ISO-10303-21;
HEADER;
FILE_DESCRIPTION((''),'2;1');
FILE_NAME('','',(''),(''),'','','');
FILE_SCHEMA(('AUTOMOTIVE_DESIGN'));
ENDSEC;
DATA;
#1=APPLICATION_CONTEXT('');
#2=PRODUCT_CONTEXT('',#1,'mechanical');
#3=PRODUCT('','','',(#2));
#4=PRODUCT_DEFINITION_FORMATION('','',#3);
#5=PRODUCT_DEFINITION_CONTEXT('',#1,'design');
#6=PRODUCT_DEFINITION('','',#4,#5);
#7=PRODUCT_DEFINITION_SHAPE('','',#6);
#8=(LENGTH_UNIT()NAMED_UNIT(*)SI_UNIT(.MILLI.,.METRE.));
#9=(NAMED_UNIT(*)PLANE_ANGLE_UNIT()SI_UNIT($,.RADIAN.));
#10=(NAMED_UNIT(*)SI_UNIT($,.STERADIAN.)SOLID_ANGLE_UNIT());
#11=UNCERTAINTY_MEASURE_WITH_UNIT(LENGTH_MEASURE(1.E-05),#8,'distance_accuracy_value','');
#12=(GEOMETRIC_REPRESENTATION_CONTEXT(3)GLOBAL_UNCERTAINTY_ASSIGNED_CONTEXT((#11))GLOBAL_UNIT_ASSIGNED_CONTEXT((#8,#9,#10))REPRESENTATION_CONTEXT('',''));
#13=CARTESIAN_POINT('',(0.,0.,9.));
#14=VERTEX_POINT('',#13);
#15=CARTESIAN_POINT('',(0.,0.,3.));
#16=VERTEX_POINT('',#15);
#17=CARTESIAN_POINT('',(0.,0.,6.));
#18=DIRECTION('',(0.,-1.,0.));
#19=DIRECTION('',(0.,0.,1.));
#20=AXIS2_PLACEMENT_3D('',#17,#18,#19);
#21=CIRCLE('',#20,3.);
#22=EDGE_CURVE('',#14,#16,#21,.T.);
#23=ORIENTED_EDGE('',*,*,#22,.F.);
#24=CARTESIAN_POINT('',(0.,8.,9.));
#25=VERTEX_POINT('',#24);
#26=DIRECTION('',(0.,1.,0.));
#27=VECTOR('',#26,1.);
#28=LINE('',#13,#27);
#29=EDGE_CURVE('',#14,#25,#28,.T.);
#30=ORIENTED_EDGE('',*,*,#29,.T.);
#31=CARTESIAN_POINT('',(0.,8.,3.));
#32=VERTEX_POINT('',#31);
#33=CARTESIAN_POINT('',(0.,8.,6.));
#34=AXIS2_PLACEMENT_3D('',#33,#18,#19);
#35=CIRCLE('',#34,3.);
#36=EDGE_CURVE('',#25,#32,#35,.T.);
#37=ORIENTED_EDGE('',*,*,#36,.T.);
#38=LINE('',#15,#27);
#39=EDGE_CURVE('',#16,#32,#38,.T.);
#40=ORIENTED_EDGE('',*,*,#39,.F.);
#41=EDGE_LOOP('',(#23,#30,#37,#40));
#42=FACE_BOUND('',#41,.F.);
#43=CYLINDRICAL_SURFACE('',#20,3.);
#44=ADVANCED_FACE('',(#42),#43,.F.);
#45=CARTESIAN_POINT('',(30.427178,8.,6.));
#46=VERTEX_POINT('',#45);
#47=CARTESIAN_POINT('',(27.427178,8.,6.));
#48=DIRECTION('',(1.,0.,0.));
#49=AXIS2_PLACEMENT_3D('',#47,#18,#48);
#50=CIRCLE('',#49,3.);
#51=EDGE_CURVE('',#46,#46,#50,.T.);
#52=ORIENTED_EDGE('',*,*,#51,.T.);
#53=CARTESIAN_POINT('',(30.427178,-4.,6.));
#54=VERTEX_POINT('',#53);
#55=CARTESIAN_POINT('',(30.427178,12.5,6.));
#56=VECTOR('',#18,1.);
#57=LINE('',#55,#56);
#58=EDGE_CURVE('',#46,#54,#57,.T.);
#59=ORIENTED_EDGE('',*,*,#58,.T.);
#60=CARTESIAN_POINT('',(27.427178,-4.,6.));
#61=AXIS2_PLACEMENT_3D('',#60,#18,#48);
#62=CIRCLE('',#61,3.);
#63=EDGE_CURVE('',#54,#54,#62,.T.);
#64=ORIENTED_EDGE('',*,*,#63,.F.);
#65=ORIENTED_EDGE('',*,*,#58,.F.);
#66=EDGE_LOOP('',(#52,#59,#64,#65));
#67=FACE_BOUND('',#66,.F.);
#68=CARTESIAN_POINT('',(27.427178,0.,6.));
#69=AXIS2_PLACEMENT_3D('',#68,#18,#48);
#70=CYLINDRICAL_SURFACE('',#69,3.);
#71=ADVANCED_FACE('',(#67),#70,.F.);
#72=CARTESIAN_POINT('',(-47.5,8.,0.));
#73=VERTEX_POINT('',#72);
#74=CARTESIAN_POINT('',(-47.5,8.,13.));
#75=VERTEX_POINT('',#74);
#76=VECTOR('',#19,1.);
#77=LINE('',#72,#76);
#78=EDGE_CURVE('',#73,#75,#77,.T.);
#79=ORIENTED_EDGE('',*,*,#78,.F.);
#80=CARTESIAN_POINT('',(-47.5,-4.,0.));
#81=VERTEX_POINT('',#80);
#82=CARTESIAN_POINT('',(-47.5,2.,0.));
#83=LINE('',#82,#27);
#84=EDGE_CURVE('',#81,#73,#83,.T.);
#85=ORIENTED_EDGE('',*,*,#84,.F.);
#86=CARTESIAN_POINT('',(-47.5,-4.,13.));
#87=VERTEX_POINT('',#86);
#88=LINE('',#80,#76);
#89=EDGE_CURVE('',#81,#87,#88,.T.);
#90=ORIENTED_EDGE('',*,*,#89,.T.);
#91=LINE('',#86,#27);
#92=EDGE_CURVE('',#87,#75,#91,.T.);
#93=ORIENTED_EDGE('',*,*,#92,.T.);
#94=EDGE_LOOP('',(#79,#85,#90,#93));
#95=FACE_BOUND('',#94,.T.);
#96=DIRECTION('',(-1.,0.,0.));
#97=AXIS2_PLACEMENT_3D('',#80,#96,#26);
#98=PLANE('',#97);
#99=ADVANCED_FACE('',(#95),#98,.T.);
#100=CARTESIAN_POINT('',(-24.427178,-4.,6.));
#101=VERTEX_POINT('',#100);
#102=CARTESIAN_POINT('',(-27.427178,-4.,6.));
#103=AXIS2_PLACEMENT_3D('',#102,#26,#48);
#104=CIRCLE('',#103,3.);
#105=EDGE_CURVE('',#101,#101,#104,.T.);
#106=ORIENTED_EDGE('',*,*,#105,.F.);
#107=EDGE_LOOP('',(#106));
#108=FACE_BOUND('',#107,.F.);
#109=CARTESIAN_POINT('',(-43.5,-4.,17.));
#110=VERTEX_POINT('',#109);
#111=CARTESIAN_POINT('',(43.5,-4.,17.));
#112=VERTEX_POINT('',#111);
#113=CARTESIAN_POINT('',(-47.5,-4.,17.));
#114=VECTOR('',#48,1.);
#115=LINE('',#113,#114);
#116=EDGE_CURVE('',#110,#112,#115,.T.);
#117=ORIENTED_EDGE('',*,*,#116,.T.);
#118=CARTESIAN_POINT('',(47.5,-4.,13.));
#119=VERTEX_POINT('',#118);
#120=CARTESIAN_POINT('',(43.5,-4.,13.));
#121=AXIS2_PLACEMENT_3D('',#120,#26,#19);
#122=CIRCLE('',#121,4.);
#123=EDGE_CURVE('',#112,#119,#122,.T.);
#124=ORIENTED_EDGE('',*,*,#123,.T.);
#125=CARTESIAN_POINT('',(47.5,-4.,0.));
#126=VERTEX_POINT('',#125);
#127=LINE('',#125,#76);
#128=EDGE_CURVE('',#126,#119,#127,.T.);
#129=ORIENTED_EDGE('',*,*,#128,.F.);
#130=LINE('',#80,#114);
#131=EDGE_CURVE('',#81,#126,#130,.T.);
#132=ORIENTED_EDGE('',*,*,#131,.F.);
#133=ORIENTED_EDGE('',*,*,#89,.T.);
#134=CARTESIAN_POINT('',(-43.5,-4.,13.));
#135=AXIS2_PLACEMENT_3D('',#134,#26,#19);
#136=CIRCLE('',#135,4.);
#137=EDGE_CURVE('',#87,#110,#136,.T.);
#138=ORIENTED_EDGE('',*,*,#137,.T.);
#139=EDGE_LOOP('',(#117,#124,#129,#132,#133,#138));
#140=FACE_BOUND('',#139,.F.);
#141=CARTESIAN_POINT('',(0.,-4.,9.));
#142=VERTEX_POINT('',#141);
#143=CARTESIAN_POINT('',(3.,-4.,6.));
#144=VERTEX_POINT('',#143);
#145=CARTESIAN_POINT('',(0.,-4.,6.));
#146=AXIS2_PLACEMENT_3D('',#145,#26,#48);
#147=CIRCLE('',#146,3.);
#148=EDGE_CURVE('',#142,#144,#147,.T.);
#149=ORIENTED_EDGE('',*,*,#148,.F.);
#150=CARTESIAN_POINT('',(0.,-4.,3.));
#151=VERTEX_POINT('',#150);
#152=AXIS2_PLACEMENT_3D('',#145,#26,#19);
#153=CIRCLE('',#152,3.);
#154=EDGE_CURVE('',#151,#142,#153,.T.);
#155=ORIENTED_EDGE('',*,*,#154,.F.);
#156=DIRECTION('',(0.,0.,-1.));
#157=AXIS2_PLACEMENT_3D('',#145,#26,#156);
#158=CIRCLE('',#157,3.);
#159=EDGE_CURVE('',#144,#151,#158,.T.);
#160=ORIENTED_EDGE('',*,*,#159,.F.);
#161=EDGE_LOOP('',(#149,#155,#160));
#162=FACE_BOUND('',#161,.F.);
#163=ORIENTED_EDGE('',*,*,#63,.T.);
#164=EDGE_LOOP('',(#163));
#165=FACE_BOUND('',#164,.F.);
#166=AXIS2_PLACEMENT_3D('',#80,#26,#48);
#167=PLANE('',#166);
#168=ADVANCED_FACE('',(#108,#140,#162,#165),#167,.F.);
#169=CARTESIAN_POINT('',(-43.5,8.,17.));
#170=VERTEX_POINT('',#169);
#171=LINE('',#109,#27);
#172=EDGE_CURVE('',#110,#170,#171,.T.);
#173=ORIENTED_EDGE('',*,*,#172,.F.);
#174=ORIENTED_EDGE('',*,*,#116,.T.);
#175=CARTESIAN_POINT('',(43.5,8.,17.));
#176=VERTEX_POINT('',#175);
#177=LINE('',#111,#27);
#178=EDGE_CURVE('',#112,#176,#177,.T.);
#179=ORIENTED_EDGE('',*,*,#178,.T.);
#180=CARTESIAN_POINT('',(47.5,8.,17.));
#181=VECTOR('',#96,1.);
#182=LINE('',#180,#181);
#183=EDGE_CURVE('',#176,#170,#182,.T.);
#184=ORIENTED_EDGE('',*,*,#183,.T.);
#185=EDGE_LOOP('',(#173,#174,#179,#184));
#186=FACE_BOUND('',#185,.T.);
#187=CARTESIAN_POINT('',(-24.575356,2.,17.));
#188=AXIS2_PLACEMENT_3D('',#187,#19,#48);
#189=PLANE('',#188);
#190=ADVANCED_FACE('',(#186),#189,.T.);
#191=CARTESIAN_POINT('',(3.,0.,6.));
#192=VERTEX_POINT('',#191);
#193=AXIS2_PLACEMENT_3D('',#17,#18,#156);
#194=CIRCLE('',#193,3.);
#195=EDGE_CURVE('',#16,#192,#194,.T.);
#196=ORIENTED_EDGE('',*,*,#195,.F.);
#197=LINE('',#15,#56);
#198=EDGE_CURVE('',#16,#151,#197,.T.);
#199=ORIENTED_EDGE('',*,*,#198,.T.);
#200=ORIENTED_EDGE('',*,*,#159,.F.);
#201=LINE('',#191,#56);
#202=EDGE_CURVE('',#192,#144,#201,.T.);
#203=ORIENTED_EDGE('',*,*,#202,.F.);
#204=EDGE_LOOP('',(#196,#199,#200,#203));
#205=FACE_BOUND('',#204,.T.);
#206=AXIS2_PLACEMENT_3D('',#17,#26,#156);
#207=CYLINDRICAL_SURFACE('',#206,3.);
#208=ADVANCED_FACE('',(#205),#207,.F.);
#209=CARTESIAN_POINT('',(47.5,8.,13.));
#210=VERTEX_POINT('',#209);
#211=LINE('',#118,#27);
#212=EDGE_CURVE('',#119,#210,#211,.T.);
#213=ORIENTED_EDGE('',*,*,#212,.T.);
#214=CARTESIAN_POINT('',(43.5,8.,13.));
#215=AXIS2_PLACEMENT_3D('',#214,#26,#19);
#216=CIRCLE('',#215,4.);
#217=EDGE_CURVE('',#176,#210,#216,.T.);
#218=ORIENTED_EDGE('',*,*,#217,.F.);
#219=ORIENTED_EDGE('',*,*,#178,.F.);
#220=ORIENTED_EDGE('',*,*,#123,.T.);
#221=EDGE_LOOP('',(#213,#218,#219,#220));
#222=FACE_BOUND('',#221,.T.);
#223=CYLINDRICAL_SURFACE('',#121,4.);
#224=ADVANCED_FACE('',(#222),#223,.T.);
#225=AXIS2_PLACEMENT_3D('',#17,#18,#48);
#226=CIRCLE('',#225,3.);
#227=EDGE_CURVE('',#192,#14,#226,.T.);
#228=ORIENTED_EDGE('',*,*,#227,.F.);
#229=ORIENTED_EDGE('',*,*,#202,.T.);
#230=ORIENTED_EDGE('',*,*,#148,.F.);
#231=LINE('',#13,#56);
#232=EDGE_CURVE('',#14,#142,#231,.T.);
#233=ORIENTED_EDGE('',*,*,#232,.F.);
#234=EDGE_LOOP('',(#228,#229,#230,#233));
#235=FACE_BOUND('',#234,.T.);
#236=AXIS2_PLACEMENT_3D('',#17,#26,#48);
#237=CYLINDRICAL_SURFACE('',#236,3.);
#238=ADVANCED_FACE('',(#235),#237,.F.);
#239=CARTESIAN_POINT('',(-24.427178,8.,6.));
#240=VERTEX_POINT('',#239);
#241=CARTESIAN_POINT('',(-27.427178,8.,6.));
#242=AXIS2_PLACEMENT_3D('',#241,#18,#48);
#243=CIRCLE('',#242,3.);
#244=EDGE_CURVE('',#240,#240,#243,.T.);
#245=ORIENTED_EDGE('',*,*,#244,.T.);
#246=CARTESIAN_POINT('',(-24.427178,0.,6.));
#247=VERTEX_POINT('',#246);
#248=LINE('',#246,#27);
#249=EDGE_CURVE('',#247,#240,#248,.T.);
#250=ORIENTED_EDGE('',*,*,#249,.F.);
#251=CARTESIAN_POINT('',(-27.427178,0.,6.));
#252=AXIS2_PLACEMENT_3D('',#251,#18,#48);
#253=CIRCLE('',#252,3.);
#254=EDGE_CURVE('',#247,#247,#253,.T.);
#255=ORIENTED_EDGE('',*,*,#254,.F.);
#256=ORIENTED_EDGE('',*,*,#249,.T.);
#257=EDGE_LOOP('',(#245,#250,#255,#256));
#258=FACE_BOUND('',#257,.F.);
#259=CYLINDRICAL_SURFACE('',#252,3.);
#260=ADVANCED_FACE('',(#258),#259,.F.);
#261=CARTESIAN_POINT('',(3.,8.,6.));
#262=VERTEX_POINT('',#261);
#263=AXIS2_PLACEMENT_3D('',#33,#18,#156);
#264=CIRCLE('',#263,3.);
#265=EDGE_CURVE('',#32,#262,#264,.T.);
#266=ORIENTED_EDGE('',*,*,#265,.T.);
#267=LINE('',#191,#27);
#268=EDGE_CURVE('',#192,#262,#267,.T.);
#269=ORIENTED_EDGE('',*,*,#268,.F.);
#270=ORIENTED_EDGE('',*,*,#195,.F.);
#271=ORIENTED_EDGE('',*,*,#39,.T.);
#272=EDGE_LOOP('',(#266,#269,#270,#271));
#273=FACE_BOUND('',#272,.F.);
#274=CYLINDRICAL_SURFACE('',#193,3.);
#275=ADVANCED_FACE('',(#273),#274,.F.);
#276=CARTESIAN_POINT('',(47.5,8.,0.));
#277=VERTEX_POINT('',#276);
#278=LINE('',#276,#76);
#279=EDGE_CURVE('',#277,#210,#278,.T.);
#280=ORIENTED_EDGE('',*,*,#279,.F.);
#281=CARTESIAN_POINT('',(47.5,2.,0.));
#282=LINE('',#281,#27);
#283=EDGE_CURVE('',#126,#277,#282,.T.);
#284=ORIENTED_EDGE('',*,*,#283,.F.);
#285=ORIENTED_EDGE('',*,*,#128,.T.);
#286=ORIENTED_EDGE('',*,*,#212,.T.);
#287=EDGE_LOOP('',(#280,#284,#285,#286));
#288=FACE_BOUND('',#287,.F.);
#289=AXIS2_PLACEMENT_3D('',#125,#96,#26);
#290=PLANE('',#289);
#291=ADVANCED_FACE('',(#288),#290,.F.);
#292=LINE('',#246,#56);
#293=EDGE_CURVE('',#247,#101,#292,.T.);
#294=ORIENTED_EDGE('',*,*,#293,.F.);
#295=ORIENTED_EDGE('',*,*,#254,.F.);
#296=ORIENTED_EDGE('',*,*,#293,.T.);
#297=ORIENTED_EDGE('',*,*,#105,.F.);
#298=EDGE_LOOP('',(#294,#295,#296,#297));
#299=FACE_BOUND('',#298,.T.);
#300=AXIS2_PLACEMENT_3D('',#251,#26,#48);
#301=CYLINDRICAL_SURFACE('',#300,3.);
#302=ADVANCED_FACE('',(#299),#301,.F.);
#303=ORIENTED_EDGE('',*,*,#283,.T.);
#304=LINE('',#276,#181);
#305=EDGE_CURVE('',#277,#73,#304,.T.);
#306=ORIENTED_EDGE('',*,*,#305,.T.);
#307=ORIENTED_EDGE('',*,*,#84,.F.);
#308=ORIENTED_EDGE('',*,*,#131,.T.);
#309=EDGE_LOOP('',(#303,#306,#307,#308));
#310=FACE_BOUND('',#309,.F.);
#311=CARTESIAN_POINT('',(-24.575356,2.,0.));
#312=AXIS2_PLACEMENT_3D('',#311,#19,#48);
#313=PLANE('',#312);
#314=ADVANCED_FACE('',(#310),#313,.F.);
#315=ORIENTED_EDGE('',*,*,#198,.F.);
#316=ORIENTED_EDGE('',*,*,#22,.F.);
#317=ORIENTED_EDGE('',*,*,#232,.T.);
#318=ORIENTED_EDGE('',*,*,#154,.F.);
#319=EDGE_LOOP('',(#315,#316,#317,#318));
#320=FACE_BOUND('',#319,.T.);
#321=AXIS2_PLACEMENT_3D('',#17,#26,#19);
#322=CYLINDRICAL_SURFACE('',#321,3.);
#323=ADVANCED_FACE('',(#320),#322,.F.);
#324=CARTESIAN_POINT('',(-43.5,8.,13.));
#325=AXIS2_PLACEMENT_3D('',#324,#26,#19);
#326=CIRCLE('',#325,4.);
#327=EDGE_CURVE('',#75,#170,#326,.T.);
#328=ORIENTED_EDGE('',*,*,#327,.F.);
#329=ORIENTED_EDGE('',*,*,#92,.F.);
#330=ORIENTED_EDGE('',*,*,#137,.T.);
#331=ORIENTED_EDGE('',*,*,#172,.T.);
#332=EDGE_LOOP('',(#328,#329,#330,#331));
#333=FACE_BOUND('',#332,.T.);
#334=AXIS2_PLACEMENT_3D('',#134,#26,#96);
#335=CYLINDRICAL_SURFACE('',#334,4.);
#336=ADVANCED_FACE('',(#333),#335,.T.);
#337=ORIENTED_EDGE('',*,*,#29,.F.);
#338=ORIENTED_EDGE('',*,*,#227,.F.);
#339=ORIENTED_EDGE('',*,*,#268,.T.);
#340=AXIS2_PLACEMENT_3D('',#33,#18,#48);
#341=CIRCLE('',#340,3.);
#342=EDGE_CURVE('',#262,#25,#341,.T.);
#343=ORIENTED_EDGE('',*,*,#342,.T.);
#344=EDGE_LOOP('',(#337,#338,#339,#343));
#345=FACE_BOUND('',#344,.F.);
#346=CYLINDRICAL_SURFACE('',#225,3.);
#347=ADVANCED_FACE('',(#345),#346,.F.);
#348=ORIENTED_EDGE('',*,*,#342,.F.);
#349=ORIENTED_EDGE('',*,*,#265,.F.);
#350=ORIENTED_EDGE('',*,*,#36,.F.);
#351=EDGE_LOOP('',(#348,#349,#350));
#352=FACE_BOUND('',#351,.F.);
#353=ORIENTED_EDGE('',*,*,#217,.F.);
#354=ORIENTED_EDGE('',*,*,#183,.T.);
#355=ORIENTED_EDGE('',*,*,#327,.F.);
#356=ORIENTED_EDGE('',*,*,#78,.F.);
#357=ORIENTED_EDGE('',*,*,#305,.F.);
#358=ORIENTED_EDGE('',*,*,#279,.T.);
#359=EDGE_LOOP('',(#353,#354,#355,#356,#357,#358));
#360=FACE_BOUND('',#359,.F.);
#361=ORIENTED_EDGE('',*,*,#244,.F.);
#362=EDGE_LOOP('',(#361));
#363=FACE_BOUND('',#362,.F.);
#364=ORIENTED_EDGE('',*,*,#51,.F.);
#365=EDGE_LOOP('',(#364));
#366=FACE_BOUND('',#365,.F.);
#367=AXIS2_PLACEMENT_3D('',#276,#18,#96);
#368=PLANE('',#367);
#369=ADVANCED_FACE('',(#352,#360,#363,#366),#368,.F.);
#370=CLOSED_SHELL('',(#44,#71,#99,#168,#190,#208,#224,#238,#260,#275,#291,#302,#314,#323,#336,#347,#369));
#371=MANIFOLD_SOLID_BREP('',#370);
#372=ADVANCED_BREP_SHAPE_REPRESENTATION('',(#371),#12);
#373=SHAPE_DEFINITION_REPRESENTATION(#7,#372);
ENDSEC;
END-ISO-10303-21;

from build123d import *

# Parameters (mm, degrees)
F0_R     = 3
F0_W     = 10
F0_H     = 12
F1_DEPTH = 17
F2_R     = 3
F3_DEPTH = 12.5
F4_R     = 4


with BuildPart() as f1:
    # F0 (on Top) → F1 (new body)
    with BuildSketch(Plane.XY):
        with BuildLine():
            ThreePointArc((-12, -4), (-18, 2.0000000001), (-11.9999999997, 8))
            Line((-11.9999999997, 8), (-37.5, 8))
            Line((-37.5, 8), (-37.5, -4))
            Line((-37.5, -4), (-12, -4))
        make_face()
        with BuildLine():
            ThreePointArc((-6, 2), (-7.7573593128, 6.242640687), (-11.9999999997, 8))
            ThreePointArc((-11.9999999997, 8), (-18, 2.0000000001), (-12, -4))
            ThreePointArc((-12, -4), (-7.7573593129, -2.2426406871), (-6, 2))
        make_face()
        with Locations((-12, 2)):
            Circle(F0_R, mode=Mode.SUBTRACT)
        with Locations((-12, 2)):
            Circle(F0_R)
        with BuildLine():
            ThreePointArc((12, -4), (6, 2), (12, 8))
            Line((12, 8), (-11.9999999997, 8))
            ThreePointArc((-11.9999999997, 8), (-7.7573593128, 6.242640687), (-6, 2))
            ThreePointArc((-6, 2), (-7.7573593129, -2.2426406871), (-12, -4))
            Line((-12, -4), (12, -4))
        make_face()
        with BuildLine():
            ThreePointArc((12, -4), (16.2426406871, -2.2426406871), (18, 2))
            ThreePointArc((18, 2), (16.2426406871, 6.2426406871), (12, 8))
            ThreePointArc((12, 8), (6, 2), (12, -4))
        make_face()
        with Locations((12, 2)):
            Circle(F0_R, mode=Mode.SUBTRACT)
        with Locations((12, 2)):
            Circle(F0_R)
        with BuildLine():
            ThreePointArc((12, 8), (16.2426406871, 6.2426406871), (18, 2))
            ThreePointArc((18, 2), (16.2426406871, -2.2426406871), (12, -4))
            Line((12, -4), (37.5, -4))
            Line((37.5, -4), (37.5, 8))
            Line((37.5, 8), (12, 8))
        make_face()
        with Locations((-42.5, 2)):
            Rectangle(F0_W, F0_H)
        with Locations((42.5, 2)):
            Rectangle(F0_W, F0_H)
    extrude(amount=F1_DEPTH)

    # F2 (on Front) → F3 (cut, symmetric)
    with BuildSketch(Plane.XZ):
        with BuildLine():
            ThreePointArc((0, 9), (-3, 6), (0, 3))
            Line((0, 3), (0, 9))
        make_face()
        with BuildLine():
            Line((0, 9), (0, 3))
            ThreePointArc((0, 3), (2.1213203436, 3.8786796564), (3, 6))
            ThreePointArc((3, 6), (2.1213203436, 8.1213203436), (0, 9))
        make_face()
        with Locations((-27.4271778762, 6)):
            Circle(F2_R)
        with Locations((27.4271778762, 6)):
            Circle(F2_R)
    extrude(amount=F3_DEPTH, both=True, mode=Mode.SUBTRACT)

    # F4
    f4_edges = [f1.edges().sort_by_distance(p)[0] for p in [
        (-47.5, 2, 17),
        (47.5, 2, 17),
    ]]
    fillet(f4_edges, radius=F4_R)


solid = f1.part
